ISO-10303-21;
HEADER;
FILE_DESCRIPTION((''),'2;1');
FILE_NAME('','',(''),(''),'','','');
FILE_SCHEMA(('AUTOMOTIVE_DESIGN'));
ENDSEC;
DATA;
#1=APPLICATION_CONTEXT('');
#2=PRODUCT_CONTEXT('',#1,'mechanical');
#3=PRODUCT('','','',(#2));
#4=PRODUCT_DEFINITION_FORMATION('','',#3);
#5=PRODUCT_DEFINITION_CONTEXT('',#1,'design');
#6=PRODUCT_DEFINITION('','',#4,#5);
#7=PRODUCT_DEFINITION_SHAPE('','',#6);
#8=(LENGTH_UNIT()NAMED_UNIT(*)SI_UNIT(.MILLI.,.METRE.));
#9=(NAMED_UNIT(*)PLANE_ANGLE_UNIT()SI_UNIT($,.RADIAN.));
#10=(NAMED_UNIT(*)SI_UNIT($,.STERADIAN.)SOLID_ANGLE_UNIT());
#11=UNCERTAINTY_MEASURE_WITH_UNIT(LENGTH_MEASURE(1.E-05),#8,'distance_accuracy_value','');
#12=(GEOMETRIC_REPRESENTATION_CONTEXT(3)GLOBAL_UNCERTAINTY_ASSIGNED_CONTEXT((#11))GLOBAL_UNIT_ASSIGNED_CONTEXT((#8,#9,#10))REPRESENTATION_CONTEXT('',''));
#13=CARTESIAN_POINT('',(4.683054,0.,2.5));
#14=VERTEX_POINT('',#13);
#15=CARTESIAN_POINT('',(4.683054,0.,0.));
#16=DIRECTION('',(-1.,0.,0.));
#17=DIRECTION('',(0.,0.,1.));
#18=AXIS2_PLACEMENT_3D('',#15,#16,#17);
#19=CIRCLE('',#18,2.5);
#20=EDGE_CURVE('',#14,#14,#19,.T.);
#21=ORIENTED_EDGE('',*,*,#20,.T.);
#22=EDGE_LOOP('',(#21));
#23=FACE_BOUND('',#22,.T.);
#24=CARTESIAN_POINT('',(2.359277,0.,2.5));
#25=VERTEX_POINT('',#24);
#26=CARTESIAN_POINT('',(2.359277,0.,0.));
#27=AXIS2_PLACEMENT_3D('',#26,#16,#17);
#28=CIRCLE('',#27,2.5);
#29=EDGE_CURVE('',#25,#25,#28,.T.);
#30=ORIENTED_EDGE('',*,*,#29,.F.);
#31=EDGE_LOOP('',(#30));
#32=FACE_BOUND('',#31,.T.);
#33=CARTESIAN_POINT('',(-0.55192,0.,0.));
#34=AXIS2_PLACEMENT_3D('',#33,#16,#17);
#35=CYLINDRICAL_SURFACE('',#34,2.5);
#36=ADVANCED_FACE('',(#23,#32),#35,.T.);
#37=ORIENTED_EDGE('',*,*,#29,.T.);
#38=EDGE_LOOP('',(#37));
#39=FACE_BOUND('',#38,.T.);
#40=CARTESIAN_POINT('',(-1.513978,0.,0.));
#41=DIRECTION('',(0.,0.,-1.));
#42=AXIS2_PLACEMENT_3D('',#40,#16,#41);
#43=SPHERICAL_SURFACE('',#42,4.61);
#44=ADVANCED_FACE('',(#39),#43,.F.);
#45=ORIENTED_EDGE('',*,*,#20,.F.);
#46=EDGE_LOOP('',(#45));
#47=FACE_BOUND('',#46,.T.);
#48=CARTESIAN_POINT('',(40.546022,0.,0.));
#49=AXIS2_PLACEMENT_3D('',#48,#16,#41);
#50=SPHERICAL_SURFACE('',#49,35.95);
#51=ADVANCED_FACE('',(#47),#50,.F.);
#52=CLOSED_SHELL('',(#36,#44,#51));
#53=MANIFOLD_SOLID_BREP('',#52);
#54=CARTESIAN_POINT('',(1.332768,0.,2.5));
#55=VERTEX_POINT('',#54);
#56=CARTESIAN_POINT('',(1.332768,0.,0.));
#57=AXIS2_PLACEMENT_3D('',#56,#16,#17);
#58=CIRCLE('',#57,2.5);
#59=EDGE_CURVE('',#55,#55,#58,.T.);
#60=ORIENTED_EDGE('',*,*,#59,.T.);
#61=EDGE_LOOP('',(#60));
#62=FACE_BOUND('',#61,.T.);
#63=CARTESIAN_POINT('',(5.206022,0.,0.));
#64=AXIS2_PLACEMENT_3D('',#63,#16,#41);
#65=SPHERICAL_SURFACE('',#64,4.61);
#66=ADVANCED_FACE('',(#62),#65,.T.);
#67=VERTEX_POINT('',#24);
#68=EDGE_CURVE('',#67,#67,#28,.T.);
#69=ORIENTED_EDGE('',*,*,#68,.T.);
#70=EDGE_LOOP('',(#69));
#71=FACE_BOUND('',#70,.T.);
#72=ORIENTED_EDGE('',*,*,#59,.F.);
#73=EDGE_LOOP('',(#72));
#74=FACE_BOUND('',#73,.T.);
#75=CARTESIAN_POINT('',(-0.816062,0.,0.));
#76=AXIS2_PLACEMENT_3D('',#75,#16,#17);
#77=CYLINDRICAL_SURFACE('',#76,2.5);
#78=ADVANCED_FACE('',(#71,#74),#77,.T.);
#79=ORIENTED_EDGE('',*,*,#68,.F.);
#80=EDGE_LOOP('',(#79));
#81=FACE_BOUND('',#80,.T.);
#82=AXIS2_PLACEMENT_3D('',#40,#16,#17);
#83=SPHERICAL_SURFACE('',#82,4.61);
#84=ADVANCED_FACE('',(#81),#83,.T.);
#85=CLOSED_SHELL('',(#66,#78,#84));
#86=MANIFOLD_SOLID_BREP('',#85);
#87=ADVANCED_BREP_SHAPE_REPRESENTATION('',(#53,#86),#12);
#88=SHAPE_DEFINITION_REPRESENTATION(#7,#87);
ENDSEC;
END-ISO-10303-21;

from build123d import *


with BuildPart() as part:
    # 草图1 one side → 旋转1 (revolve)
    with BuildSketch(Plane(origin=(0, 0, 0), x_dir=(1, 0, 0), z_dir=(0, 1, 0)), mode=Mode.PRIVATE) as revolve_1_sk:
        with BuildLine():
            ThreePointArc((1.332768039, 2.5), (0.784043121, 1.303149455), (0.596022485, 0))
            Line((0.596022485, 0), (3.096022485, 0))
            ThreePointArc((3.096022485, 0), (2.908001849, 1.303149455), (2.35927693, 2.5))
            Line((2.35927693, 2.5), (1.332768039, 2.5))
        make_face()
    revolve(revolve_1_sk.sketch.rotate(Axis((-0.816062176, 0, 0), (1, 0, 0)), 180), axis=Axis((-0.816062176, 0, 0), (1, 0, 0)))  # turned: the seam where the file's is


with BuildPart() as body_2:
    # 草图2 one side → 旋转2 (revolve)
    with BuildSketch(Plane(origin=(0, 0, 0), x_dir=(1, 0, 0), z_dir=(0, 1, 0))):
        with BuildLine():
            Line((4.683054119, 2.5), (2.35927693, 2.5))
            ThreePointArc((2.35927693, 2.5), (2.908001849, 1.303149455), (3.096022485, 0))
            Line((3.096022485, 0), (4.596022485, 0))
            ThreePointArc((4.596022485, 0), (4.617786982, 1.250757221), (4.683054119, 2.5))
        make_face()
    revolve(axis=Axis((-0.551919993, 0, 0), (1, 0, 0)))


solid = Compound([part.part, body_2.part])
